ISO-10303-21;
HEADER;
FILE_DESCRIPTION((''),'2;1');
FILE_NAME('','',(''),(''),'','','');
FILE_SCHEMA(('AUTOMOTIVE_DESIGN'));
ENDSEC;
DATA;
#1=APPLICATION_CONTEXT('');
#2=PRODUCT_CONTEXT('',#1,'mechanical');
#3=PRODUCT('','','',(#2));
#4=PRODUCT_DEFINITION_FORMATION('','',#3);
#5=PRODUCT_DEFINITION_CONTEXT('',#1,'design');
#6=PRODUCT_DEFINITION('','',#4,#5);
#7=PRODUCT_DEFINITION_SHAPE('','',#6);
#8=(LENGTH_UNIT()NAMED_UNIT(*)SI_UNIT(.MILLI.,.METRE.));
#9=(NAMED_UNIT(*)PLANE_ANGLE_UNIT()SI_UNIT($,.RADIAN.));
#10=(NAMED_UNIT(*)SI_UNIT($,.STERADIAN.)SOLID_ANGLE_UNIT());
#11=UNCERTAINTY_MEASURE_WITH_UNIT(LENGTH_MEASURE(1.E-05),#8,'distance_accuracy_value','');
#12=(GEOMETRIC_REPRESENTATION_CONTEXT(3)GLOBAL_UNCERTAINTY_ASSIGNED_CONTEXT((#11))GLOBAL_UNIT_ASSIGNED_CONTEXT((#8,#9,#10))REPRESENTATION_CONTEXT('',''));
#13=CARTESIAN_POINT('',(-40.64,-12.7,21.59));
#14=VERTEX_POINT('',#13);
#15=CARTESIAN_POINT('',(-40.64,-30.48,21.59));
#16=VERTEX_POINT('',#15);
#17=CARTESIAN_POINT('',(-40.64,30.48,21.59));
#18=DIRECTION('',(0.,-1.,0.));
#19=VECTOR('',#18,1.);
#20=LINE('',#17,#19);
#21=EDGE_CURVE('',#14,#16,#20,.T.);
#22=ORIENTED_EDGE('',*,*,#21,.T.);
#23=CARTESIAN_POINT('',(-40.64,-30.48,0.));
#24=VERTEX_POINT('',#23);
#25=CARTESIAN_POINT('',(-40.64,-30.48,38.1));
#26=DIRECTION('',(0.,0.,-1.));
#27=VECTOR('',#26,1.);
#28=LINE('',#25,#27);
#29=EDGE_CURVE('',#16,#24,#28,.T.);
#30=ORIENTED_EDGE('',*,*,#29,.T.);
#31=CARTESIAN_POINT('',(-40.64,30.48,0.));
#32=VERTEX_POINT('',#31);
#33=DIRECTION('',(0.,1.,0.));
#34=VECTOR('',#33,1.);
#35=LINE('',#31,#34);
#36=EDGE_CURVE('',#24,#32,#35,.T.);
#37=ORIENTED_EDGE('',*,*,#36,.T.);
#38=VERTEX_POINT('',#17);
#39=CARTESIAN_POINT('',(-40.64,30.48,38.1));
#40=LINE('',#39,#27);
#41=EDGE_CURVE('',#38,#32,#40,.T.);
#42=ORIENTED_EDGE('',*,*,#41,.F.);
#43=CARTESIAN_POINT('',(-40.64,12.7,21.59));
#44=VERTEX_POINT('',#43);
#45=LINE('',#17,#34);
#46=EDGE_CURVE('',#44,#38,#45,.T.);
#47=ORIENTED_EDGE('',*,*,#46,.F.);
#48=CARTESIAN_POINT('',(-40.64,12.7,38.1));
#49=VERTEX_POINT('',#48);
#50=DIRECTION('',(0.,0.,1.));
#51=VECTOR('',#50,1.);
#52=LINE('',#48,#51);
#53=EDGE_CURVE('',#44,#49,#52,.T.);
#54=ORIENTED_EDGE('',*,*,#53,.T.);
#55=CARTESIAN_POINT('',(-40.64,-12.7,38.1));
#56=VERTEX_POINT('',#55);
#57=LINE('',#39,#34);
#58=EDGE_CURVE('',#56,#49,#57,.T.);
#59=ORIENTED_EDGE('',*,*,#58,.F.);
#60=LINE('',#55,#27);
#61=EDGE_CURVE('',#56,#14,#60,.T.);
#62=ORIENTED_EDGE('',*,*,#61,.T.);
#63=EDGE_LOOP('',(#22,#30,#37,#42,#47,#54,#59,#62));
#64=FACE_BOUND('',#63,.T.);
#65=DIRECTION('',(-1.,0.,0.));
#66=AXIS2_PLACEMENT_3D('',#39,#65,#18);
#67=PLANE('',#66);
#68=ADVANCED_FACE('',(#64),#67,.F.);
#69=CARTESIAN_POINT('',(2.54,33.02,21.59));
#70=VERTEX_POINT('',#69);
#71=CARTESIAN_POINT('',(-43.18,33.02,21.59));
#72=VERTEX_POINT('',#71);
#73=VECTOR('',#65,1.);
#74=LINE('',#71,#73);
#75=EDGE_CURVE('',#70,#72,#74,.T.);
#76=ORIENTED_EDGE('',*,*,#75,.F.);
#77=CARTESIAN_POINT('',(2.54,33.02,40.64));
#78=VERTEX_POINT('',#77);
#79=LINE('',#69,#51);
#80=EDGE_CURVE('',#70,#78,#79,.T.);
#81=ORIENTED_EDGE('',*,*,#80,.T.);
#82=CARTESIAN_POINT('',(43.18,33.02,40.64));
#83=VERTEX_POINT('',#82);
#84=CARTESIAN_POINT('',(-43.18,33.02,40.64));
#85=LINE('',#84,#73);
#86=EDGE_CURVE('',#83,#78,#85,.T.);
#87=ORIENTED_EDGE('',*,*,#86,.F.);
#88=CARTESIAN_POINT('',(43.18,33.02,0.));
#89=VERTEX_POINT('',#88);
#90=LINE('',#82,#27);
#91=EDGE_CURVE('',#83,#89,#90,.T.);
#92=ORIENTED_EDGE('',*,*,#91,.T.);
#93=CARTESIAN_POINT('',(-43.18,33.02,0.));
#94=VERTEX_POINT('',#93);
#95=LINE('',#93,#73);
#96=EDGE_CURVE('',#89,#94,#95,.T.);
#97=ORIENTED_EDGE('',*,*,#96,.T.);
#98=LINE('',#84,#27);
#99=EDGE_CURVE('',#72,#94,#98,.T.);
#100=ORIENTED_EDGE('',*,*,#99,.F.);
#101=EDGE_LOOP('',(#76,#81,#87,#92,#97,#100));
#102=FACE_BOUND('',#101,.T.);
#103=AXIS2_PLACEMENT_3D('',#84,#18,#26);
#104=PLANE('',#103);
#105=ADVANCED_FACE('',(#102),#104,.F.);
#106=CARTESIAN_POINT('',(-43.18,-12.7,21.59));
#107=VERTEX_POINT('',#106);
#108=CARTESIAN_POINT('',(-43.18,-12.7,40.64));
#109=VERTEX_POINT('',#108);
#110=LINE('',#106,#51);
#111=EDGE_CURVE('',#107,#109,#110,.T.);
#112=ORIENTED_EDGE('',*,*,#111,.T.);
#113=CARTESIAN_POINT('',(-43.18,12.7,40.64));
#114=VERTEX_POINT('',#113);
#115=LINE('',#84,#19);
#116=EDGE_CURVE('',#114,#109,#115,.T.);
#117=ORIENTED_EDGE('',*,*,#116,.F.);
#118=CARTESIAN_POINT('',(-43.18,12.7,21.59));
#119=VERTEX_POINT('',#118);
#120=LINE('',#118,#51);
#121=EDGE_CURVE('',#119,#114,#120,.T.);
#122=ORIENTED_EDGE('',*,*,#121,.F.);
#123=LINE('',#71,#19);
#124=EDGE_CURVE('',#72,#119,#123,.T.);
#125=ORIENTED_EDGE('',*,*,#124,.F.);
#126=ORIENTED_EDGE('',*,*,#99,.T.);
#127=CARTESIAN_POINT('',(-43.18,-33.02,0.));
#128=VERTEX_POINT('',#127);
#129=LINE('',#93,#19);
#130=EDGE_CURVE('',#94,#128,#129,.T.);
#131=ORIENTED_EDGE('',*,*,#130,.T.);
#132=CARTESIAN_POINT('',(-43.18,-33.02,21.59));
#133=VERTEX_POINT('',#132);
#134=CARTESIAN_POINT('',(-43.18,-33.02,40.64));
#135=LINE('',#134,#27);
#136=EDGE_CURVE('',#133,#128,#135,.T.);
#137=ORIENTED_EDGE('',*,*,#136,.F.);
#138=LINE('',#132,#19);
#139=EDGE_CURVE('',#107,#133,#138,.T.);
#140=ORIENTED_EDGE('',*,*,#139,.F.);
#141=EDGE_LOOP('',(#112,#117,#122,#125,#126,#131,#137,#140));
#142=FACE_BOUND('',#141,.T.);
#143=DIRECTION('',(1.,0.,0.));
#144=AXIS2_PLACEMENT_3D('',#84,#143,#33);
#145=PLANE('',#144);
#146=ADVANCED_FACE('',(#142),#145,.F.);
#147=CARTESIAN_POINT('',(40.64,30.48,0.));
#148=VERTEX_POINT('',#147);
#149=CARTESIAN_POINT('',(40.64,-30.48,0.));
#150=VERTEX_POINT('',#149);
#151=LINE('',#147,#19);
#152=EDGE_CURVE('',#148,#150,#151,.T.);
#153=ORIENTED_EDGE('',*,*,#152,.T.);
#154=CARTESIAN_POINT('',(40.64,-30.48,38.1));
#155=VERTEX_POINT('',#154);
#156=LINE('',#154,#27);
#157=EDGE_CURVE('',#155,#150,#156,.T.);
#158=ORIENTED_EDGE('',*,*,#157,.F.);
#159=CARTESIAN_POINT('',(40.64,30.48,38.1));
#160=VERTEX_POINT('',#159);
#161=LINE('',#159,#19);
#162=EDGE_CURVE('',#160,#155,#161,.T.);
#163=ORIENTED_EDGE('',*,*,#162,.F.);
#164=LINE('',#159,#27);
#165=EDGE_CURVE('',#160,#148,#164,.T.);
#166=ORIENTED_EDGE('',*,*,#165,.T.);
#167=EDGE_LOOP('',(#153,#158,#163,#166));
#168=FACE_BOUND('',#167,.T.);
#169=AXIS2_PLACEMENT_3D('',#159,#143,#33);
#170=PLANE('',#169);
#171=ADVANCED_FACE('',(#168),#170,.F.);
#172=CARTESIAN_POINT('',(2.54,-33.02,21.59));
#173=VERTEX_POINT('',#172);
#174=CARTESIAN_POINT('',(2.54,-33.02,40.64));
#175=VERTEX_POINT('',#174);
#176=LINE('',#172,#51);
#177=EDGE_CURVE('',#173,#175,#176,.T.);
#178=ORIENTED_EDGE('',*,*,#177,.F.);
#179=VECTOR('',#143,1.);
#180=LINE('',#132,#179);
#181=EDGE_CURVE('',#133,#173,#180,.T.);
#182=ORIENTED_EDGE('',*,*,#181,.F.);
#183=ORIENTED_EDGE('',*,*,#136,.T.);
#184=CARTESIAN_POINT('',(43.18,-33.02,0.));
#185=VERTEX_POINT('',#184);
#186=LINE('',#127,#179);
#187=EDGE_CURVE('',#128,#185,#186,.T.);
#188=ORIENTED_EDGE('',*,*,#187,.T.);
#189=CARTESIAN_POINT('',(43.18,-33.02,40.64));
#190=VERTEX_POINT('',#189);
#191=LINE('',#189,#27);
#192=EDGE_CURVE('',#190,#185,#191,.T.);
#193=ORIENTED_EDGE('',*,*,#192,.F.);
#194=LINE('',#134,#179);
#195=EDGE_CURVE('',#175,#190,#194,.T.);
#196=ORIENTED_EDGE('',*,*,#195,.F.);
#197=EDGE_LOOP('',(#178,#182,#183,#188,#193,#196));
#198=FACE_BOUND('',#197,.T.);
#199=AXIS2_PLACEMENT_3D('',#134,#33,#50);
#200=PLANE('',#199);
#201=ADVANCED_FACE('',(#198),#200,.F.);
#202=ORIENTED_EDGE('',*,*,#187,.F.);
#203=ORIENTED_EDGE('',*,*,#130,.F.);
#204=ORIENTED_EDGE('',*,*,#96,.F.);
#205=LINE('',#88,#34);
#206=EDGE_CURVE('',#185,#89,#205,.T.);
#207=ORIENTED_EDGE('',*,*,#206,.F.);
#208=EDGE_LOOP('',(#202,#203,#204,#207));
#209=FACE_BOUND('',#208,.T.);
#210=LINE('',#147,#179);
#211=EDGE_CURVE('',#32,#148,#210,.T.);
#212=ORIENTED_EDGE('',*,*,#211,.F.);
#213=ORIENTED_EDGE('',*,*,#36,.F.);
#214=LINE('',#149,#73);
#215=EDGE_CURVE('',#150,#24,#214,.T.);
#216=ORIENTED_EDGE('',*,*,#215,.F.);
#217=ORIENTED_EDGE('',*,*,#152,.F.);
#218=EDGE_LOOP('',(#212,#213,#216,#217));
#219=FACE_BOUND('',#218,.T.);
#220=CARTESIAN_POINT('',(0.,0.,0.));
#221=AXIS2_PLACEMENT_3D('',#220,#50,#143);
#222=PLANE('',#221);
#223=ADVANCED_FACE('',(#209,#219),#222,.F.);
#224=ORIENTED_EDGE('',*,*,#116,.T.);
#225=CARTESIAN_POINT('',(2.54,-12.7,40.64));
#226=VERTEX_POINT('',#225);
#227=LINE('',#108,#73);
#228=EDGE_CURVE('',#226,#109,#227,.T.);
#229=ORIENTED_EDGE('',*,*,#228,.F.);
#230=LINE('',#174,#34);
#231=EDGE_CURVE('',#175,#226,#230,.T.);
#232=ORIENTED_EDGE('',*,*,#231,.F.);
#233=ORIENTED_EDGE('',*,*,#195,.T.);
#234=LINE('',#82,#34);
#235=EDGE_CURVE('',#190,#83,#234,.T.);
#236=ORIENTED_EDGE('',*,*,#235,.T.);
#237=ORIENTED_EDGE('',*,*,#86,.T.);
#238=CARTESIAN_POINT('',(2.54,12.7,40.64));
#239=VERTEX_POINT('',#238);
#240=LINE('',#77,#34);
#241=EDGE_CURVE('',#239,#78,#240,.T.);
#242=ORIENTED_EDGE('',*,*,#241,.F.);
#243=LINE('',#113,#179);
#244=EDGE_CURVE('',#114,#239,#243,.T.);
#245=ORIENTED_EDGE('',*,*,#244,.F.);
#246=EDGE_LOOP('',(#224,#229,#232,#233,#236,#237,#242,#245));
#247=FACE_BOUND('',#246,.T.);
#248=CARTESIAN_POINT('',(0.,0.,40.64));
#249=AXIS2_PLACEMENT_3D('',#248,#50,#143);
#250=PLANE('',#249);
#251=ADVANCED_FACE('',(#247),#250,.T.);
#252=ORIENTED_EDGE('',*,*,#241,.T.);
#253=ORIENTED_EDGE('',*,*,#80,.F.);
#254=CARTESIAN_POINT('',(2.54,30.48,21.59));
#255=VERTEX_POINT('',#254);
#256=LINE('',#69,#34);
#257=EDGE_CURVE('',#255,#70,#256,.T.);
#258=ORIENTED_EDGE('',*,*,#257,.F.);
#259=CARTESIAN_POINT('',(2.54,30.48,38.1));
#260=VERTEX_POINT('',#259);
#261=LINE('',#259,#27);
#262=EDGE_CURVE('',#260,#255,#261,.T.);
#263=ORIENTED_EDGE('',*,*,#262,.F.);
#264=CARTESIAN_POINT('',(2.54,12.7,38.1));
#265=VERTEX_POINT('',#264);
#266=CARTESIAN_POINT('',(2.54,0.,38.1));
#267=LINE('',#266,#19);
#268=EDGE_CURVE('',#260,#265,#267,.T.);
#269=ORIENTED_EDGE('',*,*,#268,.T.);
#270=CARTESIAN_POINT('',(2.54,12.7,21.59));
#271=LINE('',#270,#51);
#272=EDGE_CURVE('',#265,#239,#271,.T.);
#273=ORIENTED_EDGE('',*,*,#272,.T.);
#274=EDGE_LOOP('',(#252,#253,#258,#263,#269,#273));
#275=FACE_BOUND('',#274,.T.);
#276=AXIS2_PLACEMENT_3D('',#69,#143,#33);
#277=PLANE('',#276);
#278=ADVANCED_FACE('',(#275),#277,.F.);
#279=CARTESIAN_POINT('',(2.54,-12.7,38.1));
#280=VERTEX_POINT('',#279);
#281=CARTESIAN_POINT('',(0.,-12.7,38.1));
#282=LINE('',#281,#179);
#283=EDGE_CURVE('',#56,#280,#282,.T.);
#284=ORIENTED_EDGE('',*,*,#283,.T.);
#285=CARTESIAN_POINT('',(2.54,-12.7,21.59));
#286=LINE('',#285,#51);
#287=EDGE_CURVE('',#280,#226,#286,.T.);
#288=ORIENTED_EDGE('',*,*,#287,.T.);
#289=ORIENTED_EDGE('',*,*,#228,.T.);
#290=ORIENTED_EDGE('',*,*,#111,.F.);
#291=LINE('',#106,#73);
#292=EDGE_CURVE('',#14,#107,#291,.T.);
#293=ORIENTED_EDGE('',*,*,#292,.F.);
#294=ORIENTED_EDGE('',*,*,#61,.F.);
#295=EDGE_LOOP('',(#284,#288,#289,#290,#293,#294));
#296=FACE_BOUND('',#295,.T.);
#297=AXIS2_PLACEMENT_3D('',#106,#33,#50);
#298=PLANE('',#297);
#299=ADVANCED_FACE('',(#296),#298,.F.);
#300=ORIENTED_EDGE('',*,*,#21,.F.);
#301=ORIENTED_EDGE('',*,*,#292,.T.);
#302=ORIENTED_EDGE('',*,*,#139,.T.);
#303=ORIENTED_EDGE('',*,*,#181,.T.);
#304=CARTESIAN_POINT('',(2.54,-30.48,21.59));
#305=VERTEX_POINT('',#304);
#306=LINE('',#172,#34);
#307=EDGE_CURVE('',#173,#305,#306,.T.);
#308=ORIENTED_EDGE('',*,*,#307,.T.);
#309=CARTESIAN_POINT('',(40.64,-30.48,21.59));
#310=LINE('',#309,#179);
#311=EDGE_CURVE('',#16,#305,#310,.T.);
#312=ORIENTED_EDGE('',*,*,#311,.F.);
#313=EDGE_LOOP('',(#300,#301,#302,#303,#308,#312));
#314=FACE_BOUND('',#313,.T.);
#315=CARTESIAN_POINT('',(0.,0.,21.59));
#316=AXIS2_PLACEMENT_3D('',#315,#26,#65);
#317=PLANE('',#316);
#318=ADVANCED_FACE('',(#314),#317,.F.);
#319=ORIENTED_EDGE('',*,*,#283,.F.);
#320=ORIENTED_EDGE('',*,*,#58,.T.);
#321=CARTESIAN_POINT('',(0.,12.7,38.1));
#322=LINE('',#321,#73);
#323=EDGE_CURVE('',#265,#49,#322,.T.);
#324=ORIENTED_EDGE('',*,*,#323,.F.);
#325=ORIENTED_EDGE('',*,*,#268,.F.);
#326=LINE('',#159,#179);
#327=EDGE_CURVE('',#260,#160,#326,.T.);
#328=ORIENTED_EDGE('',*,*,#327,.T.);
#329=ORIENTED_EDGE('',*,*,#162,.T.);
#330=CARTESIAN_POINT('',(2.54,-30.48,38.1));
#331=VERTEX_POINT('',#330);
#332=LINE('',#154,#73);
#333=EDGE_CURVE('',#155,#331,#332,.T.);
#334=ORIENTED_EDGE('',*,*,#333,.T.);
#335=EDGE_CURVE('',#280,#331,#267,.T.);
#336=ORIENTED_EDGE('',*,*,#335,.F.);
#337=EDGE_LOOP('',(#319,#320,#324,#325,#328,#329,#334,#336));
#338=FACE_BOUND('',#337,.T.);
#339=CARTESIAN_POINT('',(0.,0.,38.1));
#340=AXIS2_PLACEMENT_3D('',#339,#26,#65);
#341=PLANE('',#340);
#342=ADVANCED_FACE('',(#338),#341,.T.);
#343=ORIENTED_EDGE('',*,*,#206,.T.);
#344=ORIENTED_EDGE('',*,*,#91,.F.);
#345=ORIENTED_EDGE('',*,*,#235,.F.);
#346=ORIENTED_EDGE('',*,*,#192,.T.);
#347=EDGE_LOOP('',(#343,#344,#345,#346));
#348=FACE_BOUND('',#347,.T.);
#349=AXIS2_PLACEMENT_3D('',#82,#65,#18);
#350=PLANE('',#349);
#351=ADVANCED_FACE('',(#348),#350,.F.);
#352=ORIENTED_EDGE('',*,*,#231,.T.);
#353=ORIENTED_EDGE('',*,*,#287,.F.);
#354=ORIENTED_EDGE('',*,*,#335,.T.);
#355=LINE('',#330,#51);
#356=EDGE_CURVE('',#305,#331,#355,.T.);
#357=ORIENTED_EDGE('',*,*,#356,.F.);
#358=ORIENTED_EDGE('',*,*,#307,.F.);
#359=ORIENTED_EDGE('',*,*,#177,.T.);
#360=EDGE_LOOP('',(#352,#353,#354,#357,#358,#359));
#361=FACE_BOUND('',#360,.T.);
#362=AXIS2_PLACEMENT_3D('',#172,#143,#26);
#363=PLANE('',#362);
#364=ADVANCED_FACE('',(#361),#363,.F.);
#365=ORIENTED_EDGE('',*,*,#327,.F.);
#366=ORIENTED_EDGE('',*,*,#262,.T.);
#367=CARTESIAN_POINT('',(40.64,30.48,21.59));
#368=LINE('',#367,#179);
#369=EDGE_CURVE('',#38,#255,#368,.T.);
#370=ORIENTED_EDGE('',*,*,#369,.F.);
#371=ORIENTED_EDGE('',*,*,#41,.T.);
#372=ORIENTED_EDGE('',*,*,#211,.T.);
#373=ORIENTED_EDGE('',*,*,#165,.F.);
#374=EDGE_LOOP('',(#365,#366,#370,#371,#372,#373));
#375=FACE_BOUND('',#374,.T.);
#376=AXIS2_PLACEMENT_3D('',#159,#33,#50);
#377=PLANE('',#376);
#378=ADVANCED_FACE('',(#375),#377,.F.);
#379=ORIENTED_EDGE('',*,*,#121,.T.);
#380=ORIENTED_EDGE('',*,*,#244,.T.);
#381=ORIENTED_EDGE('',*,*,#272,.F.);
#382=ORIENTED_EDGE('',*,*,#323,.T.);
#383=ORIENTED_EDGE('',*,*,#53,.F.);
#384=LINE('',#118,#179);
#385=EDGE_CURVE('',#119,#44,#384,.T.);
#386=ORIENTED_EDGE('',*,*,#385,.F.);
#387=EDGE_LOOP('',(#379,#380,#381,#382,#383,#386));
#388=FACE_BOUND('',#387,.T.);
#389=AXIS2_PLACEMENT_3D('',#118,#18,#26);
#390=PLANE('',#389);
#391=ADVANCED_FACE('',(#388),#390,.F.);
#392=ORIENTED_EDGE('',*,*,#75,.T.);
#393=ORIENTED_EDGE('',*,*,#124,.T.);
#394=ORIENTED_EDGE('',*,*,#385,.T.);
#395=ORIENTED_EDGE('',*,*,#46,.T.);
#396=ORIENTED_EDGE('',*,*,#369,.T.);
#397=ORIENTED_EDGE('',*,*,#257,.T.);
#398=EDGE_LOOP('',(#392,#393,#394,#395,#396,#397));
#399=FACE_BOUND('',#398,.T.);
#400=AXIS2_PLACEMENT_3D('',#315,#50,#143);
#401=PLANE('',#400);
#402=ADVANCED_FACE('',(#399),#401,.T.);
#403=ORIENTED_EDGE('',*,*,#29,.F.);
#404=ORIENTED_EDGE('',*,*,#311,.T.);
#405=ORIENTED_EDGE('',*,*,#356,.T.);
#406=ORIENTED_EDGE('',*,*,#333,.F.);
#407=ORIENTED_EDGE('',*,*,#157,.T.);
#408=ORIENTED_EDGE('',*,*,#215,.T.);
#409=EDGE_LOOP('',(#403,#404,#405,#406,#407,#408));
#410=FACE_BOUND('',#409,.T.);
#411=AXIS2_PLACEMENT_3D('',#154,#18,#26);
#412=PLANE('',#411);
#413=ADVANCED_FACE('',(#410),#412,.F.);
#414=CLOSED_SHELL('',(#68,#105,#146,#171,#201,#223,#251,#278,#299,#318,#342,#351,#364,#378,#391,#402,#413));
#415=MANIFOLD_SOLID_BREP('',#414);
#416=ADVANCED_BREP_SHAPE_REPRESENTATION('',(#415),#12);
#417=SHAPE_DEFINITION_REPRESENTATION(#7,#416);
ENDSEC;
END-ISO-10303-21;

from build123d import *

# Parameters (mm, degrees)
SKETCH1_W           = 86.36
SKETCH1_H           = 66.04
BOSS_EXTRUDE1_DEPTH = 40.64
SKETCH2_W           = 81.28
SKETCH2_H           = 60.96
CUT_EXTRUDE1_DEPTH  = 38.1
SKETCH3_W           = 45.72
SKETCH3_H           = 20.32
CUT_EXTRUDE2_DEPTH  = 19.05
SKETCH4_W           = 45.72
SKETCH4_H           = 20.32
CUT_EXTRUDE3_DEPTH  = 19.05


with BuildPart() as part:
    # Sketch1 → Boss-Extrude1 (new body)
    with BuildSketch(Plane.XY):
        Rectangle(SKETCH1_W, SKETCH1_H)
    extrude(amount=BOSS_EXTRUDE1_DEPTH)

    # Sketch2 → Cut-Extrude1 (cut)
    with BuildSketch(Plane(origin=(0, 0, 0), x_dir=(-1, 0, 0), z_dir=(0, 0, -1))):
        Rectangle(SKETCH2_W, SKETCH2_H)
    extrude(amount=-CUT_EXTRUDE1_DEPTH, mode=Mode.SUBTRACT)

    # Sketch3 → Cut-Extrude2 (cut)
    with BuildSketch(Plane.XY.offset(40.64)):
        with Locations((-20.32, 22.86)):
            Rectangle(SKETCH3_W, SKETCH3_H)
    extrude(amount=-CUT_EXTRUDE2_DEPTH, mode=Mode.SUBTRACT)

    # Sketch4 → Cut-Extrude3 (cut)
    with BuildSketch(Plane.XY.offset(40.64)):
        with Locations((-20.32, -22.86)):
            Rectangle(SKETCH4_W, SKETCH4_H)
    extrude(amount=-CUT_EXTRUDE3_DEPTH, mode=Mode.SUBTRACT)


solid = part.part
